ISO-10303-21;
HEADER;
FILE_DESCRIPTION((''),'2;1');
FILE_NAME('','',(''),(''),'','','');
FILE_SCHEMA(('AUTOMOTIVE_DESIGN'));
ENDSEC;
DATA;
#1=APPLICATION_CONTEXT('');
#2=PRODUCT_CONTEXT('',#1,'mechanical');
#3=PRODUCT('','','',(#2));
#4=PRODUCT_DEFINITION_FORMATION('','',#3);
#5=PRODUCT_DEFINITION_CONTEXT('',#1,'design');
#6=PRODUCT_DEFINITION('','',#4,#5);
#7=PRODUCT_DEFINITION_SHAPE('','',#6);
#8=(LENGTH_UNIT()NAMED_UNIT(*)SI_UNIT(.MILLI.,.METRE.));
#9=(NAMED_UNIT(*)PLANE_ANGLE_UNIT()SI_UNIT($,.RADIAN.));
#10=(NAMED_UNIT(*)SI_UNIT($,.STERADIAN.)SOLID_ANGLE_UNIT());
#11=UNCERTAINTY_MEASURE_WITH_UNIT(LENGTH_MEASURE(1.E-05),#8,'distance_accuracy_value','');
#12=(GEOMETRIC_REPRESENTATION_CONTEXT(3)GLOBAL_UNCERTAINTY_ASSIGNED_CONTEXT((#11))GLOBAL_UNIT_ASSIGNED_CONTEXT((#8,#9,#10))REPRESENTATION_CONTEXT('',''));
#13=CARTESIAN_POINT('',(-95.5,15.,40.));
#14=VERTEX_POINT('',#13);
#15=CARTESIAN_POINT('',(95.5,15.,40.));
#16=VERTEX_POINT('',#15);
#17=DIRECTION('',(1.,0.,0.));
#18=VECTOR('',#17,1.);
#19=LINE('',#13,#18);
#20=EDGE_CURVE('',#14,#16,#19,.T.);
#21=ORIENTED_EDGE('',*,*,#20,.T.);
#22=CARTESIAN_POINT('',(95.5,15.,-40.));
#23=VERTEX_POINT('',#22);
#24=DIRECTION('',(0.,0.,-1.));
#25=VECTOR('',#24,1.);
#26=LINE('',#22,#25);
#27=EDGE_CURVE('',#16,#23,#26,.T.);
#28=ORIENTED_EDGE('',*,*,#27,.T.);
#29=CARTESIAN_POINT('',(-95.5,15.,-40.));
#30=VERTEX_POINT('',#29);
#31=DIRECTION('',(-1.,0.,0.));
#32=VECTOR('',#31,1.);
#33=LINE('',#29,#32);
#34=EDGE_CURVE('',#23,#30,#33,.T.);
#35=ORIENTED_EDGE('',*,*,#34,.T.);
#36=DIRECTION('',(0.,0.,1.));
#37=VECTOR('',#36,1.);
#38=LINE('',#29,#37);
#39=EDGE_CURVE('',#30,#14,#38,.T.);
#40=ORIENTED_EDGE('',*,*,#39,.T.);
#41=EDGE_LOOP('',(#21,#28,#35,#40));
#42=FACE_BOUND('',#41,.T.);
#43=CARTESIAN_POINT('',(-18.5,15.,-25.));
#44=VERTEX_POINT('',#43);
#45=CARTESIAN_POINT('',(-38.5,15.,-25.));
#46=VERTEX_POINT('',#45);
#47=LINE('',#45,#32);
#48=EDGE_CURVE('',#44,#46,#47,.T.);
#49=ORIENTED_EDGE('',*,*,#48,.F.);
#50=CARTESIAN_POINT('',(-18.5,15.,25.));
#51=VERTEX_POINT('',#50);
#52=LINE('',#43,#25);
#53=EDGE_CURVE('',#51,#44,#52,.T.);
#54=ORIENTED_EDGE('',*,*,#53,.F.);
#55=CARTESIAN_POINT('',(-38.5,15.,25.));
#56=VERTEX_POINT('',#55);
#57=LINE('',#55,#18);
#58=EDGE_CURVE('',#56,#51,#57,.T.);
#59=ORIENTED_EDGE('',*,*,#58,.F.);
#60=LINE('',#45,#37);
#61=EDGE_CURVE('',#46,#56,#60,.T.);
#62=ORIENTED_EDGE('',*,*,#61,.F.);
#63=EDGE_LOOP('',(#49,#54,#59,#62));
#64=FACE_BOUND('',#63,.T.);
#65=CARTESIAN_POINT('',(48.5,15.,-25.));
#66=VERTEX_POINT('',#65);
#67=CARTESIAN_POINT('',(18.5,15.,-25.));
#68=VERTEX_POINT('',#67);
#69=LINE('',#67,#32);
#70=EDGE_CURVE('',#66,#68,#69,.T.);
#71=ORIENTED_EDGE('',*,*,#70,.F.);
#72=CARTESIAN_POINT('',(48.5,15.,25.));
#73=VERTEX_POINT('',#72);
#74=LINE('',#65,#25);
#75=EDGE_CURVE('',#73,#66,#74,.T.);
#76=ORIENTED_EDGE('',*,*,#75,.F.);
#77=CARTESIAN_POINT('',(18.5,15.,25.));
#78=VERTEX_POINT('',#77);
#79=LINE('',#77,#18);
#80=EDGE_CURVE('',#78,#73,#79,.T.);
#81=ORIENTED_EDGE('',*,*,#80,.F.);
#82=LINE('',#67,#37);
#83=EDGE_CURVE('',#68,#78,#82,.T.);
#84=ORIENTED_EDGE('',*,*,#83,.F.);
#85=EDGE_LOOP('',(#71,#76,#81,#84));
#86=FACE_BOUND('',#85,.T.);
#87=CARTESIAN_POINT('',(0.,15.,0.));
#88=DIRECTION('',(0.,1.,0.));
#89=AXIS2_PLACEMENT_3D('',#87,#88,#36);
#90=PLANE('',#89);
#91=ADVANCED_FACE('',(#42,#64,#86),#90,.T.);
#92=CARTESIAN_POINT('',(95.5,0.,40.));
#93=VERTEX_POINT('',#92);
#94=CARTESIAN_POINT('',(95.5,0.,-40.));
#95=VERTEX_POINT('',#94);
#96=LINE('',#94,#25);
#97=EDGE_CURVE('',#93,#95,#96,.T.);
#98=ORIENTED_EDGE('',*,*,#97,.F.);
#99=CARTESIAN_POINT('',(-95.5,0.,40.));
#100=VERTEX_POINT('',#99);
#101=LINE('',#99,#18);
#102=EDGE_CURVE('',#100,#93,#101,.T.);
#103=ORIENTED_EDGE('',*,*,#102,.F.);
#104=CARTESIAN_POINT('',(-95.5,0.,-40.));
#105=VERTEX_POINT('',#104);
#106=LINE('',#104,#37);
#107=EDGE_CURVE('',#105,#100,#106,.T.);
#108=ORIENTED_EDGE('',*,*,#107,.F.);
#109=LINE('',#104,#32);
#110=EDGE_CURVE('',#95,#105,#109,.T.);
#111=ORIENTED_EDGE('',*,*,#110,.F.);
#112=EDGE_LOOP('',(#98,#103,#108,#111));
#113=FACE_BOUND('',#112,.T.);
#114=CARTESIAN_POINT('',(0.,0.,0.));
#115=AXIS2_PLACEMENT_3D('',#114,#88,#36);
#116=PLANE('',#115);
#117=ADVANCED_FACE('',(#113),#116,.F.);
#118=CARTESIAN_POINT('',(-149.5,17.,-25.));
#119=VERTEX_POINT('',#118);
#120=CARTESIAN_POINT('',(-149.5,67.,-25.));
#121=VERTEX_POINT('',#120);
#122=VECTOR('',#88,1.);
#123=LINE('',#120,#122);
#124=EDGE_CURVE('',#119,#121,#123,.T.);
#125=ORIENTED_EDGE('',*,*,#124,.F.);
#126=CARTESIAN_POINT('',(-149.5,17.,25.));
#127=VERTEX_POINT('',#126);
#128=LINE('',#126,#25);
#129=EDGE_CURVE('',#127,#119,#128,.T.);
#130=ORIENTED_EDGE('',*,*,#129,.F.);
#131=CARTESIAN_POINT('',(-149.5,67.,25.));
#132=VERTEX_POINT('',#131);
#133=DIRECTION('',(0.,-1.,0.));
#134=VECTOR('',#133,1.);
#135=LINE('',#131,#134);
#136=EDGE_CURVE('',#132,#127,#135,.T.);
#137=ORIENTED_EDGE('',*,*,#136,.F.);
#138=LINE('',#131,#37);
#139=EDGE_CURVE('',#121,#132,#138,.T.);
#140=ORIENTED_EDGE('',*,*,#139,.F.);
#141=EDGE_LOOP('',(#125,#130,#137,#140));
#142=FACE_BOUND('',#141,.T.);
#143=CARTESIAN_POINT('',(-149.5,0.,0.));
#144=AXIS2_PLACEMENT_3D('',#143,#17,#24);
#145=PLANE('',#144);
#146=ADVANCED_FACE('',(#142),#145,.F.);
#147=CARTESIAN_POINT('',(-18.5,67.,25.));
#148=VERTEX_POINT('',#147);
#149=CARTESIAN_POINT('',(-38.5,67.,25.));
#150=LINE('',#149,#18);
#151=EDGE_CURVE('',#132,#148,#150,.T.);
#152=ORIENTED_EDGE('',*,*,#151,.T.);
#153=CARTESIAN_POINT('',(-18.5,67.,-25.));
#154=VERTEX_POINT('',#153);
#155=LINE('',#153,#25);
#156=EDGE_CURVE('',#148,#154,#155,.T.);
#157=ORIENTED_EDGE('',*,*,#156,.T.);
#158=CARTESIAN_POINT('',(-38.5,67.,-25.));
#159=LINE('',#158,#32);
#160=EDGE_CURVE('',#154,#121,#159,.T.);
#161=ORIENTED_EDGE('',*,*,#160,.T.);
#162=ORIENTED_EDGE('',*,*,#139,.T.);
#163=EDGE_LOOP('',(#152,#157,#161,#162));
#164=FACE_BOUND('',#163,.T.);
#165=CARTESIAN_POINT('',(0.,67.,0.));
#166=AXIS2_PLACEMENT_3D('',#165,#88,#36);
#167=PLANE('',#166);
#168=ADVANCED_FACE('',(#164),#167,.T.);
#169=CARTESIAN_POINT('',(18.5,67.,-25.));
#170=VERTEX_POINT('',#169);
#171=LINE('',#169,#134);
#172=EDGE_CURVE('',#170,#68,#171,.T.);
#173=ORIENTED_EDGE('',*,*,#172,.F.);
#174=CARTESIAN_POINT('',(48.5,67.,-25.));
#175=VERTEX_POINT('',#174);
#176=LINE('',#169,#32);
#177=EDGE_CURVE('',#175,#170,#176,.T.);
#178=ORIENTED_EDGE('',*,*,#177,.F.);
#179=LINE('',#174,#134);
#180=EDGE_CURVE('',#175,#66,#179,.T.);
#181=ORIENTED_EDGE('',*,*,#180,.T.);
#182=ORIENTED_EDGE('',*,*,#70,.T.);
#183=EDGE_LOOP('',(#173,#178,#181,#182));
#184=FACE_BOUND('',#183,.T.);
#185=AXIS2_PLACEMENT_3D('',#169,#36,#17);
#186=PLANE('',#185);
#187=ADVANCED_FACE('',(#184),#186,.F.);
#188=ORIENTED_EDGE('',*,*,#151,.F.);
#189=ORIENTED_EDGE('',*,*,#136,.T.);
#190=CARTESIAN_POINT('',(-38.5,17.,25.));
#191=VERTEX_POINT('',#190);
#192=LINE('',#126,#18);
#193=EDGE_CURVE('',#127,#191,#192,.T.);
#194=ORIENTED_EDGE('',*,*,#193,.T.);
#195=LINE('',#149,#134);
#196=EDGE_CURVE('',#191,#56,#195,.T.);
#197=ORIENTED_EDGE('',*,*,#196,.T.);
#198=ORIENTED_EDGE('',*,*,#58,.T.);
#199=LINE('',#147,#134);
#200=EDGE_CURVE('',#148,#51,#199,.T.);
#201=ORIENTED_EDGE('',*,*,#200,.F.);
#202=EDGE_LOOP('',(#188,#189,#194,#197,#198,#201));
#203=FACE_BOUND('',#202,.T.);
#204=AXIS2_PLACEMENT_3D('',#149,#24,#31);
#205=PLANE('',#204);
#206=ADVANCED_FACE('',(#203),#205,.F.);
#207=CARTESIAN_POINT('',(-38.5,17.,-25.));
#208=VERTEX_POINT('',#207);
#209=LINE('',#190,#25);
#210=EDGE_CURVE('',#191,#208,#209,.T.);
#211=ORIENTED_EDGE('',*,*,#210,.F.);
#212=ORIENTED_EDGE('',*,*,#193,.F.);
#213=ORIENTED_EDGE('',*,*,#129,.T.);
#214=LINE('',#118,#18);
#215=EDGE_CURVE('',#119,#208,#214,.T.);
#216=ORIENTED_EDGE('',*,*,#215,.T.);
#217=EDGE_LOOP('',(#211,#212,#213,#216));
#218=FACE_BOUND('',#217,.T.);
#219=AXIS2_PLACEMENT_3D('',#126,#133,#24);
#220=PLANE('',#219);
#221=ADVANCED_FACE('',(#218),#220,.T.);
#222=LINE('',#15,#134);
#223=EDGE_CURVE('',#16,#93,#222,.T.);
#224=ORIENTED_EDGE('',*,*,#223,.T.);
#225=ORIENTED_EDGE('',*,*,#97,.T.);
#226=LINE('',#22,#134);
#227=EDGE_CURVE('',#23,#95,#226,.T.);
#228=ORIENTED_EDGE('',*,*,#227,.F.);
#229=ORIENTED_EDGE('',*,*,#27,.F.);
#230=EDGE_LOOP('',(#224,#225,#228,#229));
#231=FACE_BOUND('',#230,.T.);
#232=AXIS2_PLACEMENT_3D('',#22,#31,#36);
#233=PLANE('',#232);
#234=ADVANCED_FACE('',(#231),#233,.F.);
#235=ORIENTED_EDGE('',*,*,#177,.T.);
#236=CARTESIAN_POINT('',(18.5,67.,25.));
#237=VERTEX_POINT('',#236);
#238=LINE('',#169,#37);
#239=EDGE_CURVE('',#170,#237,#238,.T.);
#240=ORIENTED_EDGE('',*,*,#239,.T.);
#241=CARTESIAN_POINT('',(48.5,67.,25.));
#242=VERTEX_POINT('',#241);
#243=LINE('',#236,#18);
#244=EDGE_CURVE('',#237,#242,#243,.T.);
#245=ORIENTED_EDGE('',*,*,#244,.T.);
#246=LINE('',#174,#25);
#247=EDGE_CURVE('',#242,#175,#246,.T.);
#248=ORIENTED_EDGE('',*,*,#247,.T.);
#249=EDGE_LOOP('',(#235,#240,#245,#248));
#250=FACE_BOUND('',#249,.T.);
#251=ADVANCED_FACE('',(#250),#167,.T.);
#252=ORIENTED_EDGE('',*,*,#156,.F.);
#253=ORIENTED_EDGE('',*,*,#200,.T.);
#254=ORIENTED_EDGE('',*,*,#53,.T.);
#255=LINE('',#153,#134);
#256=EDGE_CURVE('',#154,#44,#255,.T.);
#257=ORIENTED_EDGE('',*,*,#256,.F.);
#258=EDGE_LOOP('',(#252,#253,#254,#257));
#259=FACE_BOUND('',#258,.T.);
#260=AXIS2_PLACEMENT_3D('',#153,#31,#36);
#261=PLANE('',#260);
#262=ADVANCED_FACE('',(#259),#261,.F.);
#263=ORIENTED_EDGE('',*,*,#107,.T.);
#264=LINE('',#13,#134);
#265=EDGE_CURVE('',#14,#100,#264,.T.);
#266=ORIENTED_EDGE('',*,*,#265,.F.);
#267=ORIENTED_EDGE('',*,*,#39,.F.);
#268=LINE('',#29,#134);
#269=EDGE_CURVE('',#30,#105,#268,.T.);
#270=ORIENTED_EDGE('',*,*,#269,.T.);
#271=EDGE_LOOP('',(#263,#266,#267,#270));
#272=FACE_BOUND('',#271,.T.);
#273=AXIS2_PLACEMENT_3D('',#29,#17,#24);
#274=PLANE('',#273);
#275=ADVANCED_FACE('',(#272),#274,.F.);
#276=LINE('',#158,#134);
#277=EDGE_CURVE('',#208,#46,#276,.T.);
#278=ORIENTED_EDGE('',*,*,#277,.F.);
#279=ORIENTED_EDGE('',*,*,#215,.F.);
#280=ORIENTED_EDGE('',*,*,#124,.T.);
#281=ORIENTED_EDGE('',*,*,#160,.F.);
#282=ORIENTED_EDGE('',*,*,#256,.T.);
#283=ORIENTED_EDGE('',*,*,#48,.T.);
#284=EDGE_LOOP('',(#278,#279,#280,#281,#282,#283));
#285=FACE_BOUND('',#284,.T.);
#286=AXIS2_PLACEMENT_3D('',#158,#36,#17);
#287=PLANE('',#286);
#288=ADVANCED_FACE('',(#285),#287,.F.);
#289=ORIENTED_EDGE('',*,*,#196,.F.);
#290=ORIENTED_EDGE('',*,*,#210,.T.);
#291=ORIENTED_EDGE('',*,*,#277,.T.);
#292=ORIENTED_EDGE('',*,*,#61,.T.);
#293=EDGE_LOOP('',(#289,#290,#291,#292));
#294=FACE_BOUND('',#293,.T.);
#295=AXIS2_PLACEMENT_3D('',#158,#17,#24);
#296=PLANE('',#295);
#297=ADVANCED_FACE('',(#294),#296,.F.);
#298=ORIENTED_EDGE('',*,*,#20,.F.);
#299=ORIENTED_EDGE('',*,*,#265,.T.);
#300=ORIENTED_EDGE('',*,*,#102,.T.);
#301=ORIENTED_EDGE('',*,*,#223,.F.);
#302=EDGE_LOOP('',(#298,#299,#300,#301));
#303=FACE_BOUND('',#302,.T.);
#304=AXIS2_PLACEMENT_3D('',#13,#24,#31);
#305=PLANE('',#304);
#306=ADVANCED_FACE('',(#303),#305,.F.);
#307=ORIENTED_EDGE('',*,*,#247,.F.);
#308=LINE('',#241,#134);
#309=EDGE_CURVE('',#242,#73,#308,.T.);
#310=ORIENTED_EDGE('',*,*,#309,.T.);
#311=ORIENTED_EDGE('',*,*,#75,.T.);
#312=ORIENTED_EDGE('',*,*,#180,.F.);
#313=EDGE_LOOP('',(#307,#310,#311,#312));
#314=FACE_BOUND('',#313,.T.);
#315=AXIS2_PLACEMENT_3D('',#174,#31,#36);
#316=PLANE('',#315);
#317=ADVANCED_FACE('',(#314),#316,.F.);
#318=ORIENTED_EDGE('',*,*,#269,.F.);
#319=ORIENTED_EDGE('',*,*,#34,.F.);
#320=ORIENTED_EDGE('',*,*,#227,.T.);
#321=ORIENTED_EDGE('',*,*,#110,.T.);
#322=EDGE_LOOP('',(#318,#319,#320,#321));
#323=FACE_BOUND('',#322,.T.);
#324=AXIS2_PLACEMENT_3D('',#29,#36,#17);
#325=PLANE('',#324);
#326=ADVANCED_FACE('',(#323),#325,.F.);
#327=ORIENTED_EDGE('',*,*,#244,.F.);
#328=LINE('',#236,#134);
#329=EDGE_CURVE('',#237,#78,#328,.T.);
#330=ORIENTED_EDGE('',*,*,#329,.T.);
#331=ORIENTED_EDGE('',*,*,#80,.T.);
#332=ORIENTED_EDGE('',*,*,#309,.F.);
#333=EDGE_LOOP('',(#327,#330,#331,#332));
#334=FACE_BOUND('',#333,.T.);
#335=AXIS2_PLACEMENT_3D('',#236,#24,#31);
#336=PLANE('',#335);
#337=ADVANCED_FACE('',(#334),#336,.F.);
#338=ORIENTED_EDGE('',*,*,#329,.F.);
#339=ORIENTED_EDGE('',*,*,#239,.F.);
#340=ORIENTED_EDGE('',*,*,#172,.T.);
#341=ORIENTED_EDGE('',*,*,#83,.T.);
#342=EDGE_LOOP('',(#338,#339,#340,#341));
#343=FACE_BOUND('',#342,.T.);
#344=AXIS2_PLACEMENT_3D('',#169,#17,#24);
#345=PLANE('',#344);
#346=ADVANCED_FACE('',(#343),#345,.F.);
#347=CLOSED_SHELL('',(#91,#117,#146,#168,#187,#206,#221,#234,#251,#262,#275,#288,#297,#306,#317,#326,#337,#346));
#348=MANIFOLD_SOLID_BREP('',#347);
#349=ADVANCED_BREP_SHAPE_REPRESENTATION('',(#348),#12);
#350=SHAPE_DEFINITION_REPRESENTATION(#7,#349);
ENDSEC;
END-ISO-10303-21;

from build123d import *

# Parameters (mm, degrees)
SKETCH1_W           = 191
SKETCH1_H           = 80
BOSS_EXTRUDE1_DEPTH = 15
SKETCH2_W           = 20
SKETCH2_H           = 50
SKETCH2_W_2         = 30
BOSS_EXTRUDE2_DEPTH = 52
SKETCH3_W           = 50
SKETCH3_H           = 50
BOSS_EXTRUDE3_DEPTH = 111


with BuildPart() as part:
    # Sketch1 → Boss-Extrude1 (new body)
    with BuildSketch(Plane(origin=(0, 0, 0), x_dir=(1, 0, 0), z_dir=(0, 1, 0))):
        Rectangle(SKETCH1_W, SKETCH1_H)
    extrude(amount=BOSS_EXTRUDE1_DEPTH)

    # Sketch2 → Boss-Extrude2 (add)
    with BuildSketch(Plane(origin=(0, 15, 0), x_dir=(1, 0, 0), z_dir=(0, 1, 0))):
        with Locations((-28.5, 0)):
            Rectangle(SKETCH2_W, SKETCH2_H)
        with Locations((33.5, 0)):
            Rectangle(SKETCH2_W_2, SKETCH2_H)
    extrude(amount=BOSS_EXTRUDE2_DEPTH)

    # Sketch3 → Boss-Extrude3 (add)
    with BuildSketch(Plane(origin=(-38.5, 0, 0), x_dir=(0, 0, -1), z_dir=(1, 0, 0))):
        with Locations((0, 42)):
            Rectangle(SKETCH3_W, SKETCH3_H)
    extrude(amount=-BOSS_EXTRUDE3_DEPTH)


solid = part.part
